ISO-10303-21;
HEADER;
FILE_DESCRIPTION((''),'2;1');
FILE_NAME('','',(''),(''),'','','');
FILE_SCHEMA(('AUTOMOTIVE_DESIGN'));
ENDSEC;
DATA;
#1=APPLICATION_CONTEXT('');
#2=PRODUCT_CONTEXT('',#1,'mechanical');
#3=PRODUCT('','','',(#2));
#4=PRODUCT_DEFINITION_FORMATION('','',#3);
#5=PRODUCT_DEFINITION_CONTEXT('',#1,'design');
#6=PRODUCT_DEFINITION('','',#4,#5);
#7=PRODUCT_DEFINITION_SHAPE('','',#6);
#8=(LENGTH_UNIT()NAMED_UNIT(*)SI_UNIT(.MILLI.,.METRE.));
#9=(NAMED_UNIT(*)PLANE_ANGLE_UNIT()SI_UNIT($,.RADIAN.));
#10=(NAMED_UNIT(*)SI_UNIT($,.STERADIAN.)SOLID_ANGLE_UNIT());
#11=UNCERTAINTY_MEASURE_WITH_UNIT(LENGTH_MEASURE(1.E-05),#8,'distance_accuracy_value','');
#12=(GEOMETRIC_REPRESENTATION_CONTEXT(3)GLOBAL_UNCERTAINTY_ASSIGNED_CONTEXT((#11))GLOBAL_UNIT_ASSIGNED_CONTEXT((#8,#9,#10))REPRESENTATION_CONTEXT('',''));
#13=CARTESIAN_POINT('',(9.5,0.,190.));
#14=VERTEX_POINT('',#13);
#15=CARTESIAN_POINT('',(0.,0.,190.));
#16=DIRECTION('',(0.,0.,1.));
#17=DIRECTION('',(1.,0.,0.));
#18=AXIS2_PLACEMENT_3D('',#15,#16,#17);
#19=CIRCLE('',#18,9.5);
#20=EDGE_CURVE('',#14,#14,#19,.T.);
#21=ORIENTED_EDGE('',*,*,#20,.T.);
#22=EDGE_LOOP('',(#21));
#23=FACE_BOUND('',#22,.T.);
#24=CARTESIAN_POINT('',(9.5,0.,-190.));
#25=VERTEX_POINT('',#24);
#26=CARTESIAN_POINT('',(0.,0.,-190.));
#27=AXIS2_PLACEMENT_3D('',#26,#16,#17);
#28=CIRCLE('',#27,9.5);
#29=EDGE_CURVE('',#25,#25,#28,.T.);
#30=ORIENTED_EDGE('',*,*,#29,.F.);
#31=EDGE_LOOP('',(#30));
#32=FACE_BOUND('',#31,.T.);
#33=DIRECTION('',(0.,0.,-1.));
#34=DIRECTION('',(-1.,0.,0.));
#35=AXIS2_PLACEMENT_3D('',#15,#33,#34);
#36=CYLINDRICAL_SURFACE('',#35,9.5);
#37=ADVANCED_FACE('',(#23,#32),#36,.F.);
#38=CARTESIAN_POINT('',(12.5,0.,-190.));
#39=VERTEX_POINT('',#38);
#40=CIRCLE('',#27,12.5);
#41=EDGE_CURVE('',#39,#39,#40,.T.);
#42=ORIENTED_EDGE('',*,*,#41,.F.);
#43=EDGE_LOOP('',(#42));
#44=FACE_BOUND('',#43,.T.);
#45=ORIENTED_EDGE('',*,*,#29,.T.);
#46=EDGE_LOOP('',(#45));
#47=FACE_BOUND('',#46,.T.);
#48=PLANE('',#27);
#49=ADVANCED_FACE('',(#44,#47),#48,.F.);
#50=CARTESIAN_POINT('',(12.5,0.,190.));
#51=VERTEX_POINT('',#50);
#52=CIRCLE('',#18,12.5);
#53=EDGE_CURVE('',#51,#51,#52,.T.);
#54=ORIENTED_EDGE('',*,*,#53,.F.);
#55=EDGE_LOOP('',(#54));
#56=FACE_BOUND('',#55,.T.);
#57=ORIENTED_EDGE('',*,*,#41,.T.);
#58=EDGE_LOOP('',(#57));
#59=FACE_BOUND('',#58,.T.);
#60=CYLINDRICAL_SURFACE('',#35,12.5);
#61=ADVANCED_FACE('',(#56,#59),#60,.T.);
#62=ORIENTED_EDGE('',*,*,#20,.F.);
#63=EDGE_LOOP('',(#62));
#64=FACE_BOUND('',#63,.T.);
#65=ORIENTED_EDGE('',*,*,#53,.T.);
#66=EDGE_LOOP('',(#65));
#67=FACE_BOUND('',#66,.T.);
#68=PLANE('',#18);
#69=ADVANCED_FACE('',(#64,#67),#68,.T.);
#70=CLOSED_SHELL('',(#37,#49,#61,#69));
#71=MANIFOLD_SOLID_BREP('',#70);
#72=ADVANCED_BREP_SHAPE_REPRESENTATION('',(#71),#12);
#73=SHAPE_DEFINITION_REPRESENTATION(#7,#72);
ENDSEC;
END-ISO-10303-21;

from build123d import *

# Parameters (mm, degrees)
SKETCH1_R           = 12.5
SKETCH1_R_2         = 9.5
EXTRUDE_THIN1_DEPTH = 190


with BuildPart() as part:
    # Sketch1 → Extrude-Thin1 (new, symmetric)
    with BuildSketch(Plane.XY):
        Circle(SKETCH1_R)
        Circle(SKETCH1_R_2, mode=Mode.SUBTRACT)
    extrude(amount=EXTRUDE_THIN1_DEPTH, both=True)


solid = part.part
